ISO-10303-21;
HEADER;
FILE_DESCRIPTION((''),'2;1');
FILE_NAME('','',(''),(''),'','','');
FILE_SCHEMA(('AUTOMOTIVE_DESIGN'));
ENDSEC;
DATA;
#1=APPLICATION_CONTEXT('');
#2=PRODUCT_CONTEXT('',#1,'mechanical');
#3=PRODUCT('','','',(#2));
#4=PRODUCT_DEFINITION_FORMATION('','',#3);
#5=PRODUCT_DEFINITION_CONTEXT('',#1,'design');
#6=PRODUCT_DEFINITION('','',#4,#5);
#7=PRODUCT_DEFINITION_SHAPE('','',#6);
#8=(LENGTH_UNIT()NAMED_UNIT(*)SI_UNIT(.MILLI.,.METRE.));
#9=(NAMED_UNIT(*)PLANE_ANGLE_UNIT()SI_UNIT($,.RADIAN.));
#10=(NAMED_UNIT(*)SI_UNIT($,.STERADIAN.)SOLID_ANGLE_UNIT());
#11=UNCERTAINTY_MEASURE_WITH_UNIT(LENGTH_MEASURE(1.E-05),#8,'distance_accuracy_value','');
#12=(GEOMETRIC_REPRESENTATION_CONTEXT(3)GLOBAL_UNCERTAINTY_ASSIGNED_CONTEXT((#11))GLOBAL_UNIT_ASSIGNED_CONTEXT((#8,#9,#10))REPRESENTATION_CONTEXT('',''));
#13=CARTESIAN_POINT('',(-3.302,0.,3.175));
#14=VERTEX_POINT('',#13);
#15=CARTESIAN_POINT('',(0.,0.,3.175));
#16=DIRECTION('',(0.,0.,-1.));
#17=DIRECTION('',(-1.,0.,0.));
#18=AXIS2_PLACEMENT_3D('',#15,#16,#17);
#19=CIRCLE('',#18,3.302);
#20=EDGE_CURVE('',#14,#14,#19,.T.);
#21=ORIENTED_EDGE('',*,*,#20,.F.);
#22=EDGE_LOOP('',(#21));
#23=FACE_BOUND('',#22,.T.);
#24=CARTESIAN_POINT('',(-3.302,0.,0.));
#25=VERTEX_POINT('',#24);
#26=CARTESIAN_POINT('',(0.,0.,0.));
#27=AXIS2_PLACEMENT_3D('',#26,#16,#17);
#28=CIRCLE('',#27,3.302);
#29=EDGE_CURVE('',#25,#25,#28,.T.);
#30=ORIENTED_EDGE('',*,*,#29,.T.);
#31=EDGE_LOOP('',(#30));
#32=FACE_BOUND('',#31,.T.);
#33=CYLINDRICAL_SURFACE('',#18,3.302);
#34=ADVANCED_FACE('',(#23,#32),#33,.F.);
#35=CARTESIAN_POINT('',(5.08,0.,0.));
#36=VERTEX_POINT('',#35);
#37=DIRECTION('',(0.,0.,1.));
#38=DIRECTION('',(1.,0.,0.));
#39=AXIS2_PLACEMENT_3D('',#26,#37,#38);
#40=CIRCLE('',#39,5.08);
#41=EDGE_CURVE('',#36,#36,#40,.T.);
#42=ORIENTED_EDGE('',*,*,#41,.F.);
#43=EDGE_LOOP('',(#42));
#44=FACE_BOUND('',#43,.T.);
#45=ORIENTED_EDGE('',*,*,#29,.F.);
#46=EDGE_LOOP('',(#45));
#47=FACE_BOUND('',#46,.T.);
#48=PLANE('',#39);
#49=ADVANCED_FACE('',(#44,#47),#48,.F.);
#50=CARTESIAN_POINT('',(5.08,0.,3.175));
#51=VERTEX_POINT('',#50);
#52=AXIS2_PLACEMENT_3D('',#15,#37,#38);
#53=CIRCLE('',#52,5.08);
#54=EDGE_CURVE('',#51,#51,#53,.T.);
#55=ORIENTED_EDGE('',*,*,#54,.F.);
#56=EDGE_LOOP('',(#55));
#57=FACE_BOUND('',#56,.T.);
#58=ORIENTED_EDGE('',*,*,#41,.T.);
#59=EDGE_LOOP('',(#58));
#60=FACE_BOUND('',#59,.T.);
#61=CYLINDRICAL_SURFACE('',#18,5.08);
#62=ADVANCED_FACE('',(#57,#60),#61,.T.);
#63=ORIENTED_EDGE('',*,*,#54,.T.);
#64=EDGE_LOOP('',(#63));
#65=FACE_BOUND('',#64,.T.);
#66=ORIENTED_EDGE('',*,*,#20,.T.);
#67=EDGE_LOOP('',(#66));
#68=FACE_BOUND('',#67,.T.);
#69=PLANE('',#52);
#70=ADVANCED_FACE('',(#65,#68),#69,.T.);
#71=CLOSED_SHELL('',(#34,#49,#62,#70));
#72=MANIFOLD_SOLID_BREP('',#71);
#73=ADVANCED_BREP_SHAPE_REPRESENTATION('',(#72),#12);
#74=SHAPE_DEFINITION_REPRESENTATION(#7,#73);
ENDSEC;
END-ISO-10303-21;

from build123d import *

# Parameters (mm, degrees)
SKETCH1_R          = 5.08
EXTRUDE1_DEPTH     = 3.175
SKETCH2_R          = 3.302
CUT_EXTRUDE1_DEPTH = 4.175


with BuildPart() as part:
    # Sketch1 → Extrude1 (new body)
    with BuildSketch(Plane.XY):
        Circle(SKETCH1_R)
    extrude(amount=EXTRUDE1_DEPTH)

    # Sketch2 → Cut-Extrude1 (cut, through all)
    with BuildSketch(Plane(origin=(0, 0, 0), x_dir=(-1, 0, 0), z_dir=(0, 0, -1))):
        Circle(SKETCH2_R)
    extrude(amount=-CUT_EXTRUDE1_DEPTH, mode=Mode.SUBTRACT)


solid = part.part
